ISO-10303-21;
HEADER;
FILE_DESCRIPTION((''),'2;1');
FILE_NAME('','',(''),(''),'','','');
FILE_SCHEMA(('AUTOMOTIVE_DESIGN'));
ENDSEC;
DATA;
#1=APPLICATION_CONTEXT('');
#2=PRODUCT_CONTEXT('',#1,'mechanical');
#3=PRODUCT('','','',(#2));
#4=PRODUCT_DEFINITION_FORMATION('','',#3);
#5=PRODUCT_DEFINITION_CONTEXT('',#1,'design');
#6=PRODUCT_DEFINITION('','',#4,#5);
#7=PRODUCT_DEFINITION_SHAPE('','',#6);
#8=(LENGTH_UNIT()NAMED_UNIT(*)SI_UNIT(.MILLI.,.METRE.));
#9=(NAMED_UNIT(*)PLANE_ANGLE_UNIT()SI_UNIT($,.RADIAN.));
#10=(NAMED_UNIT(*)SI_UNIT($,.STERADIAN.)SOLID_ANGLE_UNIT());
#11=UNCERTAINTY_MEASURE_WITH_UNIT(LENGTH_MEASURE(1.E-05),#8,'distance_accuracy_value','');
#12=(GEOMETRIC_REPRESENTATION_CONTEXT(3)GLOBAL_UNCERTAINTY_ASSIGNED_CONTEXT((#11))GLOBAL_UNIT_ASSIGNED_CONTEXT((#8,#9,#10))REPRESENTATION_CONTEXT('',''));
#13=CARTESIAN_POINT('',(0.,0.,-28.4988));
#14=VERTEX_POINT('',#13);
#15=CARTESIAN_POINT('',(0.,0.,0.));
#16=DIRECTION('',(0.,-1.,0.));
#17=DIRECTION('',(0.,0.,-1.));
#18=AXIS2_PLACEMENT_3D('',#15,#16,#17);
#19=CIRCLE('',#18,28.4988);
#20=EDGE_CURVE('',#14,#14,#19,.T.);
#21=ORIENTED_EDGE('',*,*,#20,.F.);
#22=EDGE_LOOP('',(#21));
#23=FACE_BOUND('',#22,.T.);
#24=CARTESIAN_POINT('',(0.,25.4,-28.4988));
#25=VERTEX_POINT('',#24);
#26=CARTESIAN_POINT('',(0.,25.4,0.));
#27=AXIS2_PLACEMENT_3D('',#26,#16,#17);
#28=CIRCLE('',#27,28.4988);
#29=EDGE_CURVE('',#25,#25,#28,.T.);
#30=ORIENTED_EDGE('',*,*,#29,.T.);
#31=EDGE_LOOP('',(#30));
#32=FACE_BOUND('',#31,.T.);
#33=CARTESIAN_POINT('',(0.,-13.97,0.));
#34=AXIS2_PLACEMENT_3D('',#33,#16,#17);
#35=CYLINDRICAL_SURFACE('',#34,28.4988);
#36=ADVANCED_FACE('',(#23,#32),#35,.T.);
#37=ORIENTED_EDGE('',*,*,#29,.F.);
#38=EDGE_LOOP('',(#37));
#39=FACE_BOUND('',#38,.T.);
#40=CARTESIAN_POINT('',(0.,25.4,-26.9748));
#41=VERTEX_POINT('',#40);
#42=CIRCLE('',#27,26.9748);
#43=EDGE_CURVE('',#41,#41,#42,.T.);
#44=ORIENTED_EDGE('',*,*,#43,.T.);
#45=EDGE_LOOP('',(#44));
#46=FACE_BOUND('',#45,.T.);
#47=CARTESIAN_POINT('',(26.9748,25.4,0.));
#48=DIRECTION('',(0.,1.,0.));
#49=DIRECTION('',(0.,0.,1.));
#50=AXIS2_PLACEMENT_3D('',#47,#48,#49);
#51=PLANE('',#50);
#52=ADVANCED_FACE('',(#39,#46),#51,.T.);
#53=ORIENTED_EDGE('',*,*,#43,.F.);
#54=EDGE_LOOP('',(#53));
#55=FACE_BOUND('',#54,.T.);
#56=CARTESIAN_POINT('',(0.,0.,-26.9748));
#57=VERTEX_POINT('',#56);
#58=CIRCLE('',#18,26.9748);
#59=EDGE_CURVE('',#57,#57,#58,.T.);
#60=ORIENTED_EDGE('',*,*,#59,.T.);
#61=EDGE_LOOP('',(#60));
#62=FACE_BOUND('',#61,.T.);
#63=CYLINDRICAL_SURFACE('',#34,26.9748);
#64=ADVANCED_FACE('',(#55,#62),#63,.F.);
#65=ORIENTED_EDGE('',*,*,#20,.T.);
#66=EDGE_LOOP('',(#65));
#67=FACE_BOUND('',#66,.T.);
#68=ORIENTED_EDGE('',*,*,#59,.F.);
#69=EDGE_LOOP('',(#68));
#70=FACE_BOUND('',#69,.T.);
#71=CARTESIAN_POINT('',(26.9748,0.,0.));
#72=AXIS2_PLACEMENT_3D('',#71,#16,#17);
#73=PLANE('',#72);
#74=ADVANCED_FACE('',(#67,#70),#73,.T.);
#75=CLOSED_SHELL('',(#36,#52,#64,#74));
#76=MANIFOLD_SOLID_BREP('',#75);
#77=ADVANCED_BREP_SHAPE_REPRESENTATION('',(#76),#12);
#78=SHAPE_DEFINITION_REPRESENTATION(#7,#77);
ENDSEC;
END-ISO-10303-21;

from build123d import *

# Parameters (mm, degrees)
SKETCH1_W = 1.524
SKETCH1_H = 25.4


with BuildPart() as part:
    # Sketch1 → Revolve1 (revolve)
    with BuildSketch(Plane.XY):
        with Locations((27.7368, 12.7)):
            Rectangle(SKETCH1_W, SKETCH1_H)
    revolve(axis=Axis((0, -13.97, 0), (0, 1, 0)))


solid = part.part
